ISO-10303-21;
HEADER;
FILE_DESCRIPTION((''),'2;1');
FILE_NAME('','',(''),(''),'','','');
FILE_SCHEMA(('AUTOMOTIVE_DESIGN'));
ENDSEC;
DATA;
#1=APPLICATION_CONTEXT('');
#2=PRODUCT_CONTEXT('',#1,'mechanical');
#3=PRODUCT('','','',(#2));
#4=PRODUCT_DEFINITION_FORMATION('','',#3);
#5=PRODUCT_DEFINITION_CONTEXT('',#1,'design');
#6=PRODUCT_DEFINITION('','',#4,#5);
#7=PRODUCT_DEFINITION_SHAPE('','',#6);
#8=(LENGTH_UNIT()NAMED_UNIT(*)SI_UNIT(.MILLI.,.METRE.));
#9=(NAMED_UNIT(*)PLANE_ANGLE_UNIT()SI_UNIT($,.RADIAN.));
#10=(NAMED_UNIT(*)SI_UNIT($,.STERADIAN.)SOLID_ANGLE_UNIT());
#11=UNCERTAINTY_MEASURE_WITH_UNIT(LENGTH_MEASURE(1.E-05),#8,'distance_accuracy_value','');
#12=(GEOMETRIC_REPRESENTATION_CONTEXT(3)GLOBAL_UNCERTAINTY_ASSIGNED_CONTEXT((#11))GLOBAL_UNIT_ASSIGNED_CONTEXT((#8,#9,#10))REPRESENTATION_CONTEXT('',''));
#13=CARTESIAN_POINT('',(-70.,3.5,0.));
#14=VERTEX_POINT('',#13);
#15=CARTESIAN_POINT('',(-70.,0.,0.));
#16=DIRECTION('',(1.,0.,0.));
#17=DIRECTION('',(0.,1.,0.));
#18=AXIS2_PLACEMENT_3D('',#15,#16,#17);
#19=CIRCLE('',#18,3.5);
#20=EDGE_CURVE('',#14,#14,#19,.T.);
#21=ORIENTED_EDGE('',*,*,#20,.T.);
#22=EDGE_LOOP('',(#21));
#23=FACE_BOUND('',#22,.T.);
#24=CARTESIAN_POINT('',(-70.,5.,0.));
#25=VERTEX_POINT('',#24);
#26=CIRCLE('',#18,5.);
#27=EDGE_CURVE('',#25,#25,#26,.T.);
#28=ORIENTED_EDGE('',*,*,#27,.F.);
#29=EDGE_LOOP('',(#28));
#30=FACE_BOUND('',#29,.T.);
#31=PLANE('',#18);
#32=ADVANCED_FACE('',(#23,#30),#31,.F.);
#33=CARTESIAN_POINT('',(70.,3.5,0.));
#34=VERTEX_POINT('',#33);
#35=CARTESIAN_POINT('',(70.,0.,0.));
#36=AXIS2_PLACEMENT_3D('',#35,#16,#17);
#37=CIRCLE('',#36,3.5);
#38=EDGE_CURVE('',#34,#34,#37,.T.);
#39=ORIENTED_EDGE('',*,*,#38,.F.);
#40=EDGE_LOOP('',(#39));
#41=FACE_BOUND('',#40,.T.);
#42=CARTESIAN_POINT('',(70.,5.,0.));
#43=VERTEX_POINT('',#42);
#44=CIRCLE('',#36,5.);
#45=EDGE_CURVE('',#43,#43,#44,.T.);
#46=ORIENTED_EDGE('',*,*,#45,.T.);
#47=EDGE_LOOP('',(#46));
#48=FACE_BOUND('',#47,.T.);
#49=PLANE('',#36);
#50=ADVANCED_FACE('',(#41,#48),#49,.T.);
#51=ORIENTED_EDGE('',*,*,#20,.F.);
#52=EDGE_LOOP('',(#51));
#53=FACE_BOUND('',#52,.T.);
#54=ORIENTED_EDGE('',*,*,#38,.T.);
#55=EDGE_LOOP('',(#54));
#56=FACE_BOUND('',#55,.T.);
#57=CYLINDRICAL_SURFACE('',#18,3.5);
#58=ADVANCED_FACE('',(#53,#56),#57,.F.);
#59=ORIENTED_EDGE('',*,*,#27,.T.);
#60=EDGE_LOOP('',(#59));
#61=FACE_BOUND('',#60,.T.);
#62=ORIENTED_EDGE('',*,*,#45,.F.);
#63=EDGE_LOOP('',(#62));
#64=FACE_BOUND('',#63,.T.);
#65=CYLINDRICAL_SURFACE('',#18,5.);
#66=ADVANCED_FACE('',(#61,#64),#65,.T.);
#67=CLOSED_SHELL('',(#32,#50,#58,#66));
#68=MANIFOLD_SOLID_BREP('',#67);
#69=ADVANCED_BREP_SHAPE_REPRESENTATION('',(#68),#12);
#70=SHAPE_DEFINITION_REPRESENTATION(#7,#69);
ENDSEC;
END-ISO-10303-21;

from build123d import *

# Parameters (mm, degrees)
SWEEP_THIN1_PROFILE_R   = 5
SWEEP_THIN1_PROFILE_R_2 = 3.5


with BuildPart() as part:
    # Sweep-Thin1: sweep along a path in Sketch1
    with BuildLine(Plane.XY) as sweep_thin1_path:
        Line((-70, 0), (70, 0))
    # Sweep-Thin1 profile (on start of the path) → Sweep-Thin1 (sweep)
    with BuildSketch(Plane.YZ.offset(-70)):
        Circle(SWEEP_THIN1_PROFILE_R)
        Circle(SWEEP_THIN1_PROFILE_R_2, mode=Mode.SUBTRACT)
    sweep(path=sweep_thin1_path.line)


solid = part.part
